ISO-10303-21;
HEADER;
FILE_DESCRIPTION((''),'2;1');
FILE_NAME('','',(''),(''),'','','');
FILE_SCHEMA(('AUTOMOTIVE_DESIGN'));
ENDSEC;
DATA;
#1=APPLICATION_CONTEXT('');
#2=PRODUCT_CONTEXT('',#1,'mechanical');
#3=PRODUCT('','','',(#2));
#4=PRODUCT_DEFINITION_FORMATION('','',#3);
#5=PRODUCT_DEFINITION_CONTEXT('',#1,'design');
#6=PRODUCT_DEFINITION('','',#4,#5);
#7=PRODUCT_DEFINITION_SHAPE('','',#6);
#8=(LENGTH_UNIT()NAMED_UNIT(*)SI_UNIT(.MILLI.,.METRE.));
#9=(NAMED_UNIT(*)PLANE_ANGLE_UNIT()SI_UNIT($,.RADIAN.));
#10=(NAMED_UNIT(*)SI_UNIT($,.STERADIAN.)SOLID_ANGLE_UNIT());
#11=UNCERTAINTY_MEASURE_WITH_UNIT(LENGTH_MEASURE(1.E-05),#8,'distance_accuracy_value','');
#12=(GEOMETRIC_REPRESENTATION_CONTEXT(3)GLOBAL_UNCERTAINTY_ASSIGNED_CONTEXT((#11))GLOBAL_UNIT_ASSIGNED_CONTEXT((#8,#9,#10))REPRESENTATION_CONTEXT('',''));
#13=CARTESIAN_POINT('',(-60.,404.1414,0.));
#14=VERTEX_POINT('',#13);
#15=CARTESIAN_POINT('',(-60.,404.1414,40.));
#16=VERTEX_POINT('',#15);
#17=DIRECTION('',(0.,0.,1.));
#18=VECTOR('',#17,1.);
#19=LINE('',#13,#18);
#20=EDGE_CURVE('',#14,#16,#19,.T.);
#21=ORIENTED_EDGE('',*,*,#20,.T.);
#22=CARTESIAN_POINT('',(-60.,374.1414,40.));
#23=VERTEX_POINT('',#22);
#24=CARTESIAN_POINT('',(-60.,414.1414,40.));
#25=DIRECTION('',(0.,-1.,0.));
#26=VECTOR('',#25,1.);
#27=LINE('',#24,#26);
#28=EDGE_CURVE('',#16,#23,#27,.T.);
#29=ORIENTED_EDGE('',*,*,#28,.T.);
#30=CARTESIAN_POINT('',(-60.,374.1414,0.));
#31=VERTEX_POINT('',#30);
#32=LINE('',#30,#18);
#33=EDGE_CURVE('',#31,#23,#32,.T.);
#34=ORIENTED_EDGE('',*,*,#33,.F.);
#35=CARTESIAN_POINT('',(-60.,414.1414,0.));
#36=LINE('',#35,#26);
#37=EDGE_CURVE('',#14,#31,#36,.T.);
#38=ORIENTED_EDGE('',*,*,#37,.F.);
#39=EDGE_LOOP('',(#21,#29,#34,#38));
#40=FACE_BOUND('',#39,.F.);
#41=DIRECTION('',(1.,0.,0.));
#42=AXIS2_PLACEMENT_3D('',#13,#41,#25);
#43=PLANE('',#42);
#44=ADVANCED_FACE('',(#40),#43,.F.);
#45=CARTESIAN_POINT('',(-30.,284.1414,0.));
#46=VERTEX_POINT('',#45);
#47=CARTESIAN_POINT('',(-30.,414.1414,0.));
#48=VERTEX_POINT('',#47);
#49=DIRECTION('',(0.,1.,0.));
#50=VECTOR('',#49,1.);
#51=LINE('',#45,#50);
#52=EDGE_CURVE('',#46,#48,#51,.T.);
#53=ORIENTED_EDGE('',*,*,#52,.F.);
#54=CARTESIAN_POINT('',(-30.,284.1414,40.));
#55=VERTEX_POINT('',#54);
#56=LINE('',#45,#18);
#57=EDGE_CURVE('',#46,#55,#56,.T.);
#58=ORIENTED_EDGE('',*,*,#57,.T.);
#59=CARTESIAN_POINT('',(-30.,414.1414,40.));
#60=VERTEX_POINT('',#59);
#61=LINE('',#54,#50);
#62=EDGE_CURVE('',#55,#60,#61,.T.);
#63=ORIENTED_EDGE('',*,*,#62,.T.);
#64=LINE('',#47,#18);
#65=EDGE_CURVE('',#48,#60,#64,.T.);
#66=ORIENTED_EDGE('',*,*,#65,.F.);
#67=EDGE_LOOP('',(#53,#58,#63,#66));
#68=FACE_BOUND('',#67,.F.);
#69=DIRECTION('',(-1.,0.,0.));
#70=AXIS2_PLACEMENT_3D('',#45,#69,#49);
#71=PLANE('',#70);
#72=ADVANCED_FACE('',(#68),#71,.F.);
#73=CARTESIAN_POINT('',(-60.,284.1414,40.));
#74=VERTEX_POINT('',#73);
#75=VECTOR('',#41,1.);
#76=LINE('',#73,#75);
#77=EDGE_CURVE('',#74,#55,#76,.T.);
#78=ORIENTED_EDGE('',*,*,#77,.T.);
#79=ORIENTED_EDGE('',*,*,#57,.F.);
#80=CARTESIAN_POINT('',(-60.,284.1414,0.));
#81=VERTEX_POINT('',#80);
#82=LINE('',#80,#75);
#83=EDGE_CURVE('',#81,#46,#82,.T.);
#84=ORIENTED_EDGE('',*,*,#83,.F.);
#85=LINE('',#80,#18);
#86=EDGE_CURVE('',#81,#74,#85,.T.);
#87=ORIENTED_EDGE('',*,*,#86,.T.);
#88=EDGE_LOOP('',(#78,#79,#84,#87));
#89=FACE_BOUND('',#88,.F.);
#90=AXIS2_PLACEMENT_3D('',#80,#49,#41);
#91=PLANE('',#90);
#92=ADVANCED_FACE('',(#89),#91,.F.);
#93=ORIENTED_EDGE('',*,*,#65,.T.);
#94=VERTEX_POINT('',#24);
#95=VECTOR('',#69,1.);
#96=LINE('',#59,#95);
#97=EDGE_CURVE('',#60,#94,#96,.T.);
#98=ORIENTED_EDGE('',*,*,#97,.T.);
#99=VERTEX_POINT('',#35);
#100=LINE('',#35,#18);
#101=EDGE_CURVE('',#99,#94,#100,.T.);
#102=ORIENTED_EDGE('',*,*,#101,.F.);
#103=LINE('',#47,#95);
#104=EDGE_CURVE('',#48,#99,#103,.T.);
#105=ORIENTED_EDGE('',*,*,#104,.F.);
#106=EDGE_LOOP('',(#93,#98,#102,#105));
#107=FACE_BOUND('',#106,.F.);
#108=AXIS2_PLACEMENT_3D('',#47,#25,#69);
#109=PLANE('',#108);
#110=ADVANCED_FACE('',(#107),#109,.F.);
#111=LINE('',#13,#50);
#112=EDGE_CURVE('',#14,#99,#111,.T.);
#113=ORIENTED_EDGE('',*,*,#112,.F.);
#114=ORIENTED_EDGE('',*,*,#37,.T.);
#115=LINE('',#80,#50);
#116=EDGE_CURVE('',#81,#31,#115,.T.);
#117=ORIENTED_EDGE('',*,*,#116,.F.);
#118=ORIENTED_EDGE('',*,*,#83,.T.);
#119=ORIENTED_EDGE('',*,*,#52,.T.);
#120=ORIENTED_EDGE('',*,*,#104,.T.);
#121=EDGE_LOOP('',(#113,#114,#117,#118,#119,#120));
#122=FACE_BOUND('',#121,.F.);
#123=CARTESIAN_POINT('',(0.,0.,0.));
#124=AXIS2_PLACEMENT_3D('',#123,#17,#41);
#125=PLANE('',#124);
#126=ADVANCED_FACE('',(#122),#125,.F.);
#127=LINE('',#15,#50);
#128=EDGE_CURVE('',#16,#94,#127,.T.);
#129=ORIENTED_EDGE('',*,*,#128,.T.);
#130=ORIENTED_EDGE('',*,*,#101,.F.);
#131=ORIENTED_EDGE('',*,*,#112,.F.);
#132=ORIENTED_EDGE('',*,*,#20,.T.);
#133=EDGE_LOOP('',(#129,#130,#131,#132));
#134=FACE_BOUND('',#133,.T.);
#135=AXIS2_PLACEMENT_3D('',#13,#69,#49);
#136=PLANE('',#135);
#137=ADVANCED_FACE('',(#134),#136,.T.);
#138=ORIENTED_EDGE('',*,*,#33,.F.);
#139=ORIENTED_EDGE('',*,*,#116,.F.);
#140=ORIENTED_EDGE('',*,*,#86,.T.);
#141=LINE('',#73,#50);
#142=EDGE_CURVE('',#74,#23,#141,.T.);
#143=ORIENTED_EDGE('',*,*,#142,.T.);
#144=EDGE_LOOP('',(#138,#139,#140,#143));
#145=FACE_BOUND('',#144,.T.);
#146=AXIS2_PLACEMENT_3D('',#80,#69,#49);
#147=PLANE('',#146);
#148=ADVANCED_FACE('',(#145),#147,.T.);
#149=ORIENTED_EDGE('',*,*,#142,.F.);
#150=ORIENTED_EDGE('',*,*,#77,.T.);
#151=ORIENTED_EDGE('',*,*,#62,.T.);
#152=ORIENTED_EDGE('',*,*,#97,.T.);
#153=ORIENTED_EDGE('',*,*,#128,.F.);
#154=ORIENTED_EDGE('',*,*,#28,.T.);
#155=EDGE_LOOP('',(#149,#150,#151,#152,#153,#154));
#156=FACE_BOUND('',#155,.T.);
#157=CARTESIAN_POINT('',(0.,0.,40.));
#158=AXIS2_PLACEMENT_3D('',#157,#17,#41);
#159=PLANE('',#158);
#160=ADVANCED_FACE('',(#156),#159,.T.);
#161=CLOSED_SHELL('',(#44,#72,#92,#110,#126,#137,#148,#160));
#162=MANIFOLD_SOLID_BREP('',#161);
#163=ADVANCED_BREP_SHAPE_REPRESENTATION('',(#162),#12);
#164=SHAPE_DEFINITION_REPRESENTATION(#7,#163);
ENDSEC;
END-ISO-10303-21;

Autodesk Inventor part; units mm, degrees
ref_plane "YZ Plane" through (0, 0, 0) normal (1, 0, 0) x (0, 1, 0)
ref_plane "XZ Plane" through (0, 0, 0) normal (0, 1, 0) x (-1, 0, 0)
ref_plane "XY Plane" through (0, 0, 0) normal (0, 0, 1) x (1, 0, 0)
ref_plane "Work Plane1" through (0, 0, 0) normal (0, 0, 1) x (1, 0, 0)
sketch "Sketch1" plane through (0, 0, 0) normal (0, 0, 1) x (1, 0, 0)
  line L0 (-90, 404.1414) -> (-60, 404.1414) projected
  line L1 (-60, 404.1414) -> (-60, 434.1414) projected
  line L2 (-60, 434.1414) -> (-90, 434.1414) projected
  line L3 (-90, 434.1414) -> (-90, 404.1414) projected
  line L4 (-60, 734.2829) -> (-60, 762.2829)
  line L5 (-60, 284.1414) -> (-60, 374.1414) projected
  line L6 (-60, 374.1414) -> (-60, 404.1414) construction
  line L7 (-60, 284.1414) -> (-90, 284.1414) construction
  spline S0 degree 3 poles (-10, 350) (-10, 360.2589) (-10.8658, 370.3929) (-14.4668, 392.6865) (-17.5742, 404.4656) (-26.8496, 431.6444) (-33.7108, 445.9172) (-45.2886, 465.4296) (-50.0022, 472.1002) (-55.3711, 478.3258) (-56.2225, 479.2687) (-59.645, 482.8719) (-62.119, 485.0608) (-66.6024, 488.033) (-68.2627, 488.7862) (-70.2419, 489.4323) (-70.852, 489.5961) (-71.4777, 489.7181) knots 0.305224 0.305224 0.305224 0.305224 0.919495 0.919495 1.689795 1.689795 2.84097 2.84097 3.625871 3.625871 3.775317 3.775317 4.231595 4.231595 4.59332 4.59332 4.735389 4.735389 4.735389 4.735389 projected
  line L8 (-10, -490) -> (-10, 350) projected
  line L9 (-60, 284.1414) -> (-30, 284.1414)
  line L10 (-30, 284.1414) -> (-30, 414.1414)
  line L11 (-30, 414.1414) -> (-60, 414.1414)
  line L12 (-60, 414.1414) -> (-60, 284.1414)
  point P0 (0, 0)
  dimension "d0" = 30
  dimension "d1" = 130
extrude "Extrusion1" add sketch "Sketch1" along normal blind 40 contours L1 L11 L10 L9 L5 L12
properties part number "Avionics"
